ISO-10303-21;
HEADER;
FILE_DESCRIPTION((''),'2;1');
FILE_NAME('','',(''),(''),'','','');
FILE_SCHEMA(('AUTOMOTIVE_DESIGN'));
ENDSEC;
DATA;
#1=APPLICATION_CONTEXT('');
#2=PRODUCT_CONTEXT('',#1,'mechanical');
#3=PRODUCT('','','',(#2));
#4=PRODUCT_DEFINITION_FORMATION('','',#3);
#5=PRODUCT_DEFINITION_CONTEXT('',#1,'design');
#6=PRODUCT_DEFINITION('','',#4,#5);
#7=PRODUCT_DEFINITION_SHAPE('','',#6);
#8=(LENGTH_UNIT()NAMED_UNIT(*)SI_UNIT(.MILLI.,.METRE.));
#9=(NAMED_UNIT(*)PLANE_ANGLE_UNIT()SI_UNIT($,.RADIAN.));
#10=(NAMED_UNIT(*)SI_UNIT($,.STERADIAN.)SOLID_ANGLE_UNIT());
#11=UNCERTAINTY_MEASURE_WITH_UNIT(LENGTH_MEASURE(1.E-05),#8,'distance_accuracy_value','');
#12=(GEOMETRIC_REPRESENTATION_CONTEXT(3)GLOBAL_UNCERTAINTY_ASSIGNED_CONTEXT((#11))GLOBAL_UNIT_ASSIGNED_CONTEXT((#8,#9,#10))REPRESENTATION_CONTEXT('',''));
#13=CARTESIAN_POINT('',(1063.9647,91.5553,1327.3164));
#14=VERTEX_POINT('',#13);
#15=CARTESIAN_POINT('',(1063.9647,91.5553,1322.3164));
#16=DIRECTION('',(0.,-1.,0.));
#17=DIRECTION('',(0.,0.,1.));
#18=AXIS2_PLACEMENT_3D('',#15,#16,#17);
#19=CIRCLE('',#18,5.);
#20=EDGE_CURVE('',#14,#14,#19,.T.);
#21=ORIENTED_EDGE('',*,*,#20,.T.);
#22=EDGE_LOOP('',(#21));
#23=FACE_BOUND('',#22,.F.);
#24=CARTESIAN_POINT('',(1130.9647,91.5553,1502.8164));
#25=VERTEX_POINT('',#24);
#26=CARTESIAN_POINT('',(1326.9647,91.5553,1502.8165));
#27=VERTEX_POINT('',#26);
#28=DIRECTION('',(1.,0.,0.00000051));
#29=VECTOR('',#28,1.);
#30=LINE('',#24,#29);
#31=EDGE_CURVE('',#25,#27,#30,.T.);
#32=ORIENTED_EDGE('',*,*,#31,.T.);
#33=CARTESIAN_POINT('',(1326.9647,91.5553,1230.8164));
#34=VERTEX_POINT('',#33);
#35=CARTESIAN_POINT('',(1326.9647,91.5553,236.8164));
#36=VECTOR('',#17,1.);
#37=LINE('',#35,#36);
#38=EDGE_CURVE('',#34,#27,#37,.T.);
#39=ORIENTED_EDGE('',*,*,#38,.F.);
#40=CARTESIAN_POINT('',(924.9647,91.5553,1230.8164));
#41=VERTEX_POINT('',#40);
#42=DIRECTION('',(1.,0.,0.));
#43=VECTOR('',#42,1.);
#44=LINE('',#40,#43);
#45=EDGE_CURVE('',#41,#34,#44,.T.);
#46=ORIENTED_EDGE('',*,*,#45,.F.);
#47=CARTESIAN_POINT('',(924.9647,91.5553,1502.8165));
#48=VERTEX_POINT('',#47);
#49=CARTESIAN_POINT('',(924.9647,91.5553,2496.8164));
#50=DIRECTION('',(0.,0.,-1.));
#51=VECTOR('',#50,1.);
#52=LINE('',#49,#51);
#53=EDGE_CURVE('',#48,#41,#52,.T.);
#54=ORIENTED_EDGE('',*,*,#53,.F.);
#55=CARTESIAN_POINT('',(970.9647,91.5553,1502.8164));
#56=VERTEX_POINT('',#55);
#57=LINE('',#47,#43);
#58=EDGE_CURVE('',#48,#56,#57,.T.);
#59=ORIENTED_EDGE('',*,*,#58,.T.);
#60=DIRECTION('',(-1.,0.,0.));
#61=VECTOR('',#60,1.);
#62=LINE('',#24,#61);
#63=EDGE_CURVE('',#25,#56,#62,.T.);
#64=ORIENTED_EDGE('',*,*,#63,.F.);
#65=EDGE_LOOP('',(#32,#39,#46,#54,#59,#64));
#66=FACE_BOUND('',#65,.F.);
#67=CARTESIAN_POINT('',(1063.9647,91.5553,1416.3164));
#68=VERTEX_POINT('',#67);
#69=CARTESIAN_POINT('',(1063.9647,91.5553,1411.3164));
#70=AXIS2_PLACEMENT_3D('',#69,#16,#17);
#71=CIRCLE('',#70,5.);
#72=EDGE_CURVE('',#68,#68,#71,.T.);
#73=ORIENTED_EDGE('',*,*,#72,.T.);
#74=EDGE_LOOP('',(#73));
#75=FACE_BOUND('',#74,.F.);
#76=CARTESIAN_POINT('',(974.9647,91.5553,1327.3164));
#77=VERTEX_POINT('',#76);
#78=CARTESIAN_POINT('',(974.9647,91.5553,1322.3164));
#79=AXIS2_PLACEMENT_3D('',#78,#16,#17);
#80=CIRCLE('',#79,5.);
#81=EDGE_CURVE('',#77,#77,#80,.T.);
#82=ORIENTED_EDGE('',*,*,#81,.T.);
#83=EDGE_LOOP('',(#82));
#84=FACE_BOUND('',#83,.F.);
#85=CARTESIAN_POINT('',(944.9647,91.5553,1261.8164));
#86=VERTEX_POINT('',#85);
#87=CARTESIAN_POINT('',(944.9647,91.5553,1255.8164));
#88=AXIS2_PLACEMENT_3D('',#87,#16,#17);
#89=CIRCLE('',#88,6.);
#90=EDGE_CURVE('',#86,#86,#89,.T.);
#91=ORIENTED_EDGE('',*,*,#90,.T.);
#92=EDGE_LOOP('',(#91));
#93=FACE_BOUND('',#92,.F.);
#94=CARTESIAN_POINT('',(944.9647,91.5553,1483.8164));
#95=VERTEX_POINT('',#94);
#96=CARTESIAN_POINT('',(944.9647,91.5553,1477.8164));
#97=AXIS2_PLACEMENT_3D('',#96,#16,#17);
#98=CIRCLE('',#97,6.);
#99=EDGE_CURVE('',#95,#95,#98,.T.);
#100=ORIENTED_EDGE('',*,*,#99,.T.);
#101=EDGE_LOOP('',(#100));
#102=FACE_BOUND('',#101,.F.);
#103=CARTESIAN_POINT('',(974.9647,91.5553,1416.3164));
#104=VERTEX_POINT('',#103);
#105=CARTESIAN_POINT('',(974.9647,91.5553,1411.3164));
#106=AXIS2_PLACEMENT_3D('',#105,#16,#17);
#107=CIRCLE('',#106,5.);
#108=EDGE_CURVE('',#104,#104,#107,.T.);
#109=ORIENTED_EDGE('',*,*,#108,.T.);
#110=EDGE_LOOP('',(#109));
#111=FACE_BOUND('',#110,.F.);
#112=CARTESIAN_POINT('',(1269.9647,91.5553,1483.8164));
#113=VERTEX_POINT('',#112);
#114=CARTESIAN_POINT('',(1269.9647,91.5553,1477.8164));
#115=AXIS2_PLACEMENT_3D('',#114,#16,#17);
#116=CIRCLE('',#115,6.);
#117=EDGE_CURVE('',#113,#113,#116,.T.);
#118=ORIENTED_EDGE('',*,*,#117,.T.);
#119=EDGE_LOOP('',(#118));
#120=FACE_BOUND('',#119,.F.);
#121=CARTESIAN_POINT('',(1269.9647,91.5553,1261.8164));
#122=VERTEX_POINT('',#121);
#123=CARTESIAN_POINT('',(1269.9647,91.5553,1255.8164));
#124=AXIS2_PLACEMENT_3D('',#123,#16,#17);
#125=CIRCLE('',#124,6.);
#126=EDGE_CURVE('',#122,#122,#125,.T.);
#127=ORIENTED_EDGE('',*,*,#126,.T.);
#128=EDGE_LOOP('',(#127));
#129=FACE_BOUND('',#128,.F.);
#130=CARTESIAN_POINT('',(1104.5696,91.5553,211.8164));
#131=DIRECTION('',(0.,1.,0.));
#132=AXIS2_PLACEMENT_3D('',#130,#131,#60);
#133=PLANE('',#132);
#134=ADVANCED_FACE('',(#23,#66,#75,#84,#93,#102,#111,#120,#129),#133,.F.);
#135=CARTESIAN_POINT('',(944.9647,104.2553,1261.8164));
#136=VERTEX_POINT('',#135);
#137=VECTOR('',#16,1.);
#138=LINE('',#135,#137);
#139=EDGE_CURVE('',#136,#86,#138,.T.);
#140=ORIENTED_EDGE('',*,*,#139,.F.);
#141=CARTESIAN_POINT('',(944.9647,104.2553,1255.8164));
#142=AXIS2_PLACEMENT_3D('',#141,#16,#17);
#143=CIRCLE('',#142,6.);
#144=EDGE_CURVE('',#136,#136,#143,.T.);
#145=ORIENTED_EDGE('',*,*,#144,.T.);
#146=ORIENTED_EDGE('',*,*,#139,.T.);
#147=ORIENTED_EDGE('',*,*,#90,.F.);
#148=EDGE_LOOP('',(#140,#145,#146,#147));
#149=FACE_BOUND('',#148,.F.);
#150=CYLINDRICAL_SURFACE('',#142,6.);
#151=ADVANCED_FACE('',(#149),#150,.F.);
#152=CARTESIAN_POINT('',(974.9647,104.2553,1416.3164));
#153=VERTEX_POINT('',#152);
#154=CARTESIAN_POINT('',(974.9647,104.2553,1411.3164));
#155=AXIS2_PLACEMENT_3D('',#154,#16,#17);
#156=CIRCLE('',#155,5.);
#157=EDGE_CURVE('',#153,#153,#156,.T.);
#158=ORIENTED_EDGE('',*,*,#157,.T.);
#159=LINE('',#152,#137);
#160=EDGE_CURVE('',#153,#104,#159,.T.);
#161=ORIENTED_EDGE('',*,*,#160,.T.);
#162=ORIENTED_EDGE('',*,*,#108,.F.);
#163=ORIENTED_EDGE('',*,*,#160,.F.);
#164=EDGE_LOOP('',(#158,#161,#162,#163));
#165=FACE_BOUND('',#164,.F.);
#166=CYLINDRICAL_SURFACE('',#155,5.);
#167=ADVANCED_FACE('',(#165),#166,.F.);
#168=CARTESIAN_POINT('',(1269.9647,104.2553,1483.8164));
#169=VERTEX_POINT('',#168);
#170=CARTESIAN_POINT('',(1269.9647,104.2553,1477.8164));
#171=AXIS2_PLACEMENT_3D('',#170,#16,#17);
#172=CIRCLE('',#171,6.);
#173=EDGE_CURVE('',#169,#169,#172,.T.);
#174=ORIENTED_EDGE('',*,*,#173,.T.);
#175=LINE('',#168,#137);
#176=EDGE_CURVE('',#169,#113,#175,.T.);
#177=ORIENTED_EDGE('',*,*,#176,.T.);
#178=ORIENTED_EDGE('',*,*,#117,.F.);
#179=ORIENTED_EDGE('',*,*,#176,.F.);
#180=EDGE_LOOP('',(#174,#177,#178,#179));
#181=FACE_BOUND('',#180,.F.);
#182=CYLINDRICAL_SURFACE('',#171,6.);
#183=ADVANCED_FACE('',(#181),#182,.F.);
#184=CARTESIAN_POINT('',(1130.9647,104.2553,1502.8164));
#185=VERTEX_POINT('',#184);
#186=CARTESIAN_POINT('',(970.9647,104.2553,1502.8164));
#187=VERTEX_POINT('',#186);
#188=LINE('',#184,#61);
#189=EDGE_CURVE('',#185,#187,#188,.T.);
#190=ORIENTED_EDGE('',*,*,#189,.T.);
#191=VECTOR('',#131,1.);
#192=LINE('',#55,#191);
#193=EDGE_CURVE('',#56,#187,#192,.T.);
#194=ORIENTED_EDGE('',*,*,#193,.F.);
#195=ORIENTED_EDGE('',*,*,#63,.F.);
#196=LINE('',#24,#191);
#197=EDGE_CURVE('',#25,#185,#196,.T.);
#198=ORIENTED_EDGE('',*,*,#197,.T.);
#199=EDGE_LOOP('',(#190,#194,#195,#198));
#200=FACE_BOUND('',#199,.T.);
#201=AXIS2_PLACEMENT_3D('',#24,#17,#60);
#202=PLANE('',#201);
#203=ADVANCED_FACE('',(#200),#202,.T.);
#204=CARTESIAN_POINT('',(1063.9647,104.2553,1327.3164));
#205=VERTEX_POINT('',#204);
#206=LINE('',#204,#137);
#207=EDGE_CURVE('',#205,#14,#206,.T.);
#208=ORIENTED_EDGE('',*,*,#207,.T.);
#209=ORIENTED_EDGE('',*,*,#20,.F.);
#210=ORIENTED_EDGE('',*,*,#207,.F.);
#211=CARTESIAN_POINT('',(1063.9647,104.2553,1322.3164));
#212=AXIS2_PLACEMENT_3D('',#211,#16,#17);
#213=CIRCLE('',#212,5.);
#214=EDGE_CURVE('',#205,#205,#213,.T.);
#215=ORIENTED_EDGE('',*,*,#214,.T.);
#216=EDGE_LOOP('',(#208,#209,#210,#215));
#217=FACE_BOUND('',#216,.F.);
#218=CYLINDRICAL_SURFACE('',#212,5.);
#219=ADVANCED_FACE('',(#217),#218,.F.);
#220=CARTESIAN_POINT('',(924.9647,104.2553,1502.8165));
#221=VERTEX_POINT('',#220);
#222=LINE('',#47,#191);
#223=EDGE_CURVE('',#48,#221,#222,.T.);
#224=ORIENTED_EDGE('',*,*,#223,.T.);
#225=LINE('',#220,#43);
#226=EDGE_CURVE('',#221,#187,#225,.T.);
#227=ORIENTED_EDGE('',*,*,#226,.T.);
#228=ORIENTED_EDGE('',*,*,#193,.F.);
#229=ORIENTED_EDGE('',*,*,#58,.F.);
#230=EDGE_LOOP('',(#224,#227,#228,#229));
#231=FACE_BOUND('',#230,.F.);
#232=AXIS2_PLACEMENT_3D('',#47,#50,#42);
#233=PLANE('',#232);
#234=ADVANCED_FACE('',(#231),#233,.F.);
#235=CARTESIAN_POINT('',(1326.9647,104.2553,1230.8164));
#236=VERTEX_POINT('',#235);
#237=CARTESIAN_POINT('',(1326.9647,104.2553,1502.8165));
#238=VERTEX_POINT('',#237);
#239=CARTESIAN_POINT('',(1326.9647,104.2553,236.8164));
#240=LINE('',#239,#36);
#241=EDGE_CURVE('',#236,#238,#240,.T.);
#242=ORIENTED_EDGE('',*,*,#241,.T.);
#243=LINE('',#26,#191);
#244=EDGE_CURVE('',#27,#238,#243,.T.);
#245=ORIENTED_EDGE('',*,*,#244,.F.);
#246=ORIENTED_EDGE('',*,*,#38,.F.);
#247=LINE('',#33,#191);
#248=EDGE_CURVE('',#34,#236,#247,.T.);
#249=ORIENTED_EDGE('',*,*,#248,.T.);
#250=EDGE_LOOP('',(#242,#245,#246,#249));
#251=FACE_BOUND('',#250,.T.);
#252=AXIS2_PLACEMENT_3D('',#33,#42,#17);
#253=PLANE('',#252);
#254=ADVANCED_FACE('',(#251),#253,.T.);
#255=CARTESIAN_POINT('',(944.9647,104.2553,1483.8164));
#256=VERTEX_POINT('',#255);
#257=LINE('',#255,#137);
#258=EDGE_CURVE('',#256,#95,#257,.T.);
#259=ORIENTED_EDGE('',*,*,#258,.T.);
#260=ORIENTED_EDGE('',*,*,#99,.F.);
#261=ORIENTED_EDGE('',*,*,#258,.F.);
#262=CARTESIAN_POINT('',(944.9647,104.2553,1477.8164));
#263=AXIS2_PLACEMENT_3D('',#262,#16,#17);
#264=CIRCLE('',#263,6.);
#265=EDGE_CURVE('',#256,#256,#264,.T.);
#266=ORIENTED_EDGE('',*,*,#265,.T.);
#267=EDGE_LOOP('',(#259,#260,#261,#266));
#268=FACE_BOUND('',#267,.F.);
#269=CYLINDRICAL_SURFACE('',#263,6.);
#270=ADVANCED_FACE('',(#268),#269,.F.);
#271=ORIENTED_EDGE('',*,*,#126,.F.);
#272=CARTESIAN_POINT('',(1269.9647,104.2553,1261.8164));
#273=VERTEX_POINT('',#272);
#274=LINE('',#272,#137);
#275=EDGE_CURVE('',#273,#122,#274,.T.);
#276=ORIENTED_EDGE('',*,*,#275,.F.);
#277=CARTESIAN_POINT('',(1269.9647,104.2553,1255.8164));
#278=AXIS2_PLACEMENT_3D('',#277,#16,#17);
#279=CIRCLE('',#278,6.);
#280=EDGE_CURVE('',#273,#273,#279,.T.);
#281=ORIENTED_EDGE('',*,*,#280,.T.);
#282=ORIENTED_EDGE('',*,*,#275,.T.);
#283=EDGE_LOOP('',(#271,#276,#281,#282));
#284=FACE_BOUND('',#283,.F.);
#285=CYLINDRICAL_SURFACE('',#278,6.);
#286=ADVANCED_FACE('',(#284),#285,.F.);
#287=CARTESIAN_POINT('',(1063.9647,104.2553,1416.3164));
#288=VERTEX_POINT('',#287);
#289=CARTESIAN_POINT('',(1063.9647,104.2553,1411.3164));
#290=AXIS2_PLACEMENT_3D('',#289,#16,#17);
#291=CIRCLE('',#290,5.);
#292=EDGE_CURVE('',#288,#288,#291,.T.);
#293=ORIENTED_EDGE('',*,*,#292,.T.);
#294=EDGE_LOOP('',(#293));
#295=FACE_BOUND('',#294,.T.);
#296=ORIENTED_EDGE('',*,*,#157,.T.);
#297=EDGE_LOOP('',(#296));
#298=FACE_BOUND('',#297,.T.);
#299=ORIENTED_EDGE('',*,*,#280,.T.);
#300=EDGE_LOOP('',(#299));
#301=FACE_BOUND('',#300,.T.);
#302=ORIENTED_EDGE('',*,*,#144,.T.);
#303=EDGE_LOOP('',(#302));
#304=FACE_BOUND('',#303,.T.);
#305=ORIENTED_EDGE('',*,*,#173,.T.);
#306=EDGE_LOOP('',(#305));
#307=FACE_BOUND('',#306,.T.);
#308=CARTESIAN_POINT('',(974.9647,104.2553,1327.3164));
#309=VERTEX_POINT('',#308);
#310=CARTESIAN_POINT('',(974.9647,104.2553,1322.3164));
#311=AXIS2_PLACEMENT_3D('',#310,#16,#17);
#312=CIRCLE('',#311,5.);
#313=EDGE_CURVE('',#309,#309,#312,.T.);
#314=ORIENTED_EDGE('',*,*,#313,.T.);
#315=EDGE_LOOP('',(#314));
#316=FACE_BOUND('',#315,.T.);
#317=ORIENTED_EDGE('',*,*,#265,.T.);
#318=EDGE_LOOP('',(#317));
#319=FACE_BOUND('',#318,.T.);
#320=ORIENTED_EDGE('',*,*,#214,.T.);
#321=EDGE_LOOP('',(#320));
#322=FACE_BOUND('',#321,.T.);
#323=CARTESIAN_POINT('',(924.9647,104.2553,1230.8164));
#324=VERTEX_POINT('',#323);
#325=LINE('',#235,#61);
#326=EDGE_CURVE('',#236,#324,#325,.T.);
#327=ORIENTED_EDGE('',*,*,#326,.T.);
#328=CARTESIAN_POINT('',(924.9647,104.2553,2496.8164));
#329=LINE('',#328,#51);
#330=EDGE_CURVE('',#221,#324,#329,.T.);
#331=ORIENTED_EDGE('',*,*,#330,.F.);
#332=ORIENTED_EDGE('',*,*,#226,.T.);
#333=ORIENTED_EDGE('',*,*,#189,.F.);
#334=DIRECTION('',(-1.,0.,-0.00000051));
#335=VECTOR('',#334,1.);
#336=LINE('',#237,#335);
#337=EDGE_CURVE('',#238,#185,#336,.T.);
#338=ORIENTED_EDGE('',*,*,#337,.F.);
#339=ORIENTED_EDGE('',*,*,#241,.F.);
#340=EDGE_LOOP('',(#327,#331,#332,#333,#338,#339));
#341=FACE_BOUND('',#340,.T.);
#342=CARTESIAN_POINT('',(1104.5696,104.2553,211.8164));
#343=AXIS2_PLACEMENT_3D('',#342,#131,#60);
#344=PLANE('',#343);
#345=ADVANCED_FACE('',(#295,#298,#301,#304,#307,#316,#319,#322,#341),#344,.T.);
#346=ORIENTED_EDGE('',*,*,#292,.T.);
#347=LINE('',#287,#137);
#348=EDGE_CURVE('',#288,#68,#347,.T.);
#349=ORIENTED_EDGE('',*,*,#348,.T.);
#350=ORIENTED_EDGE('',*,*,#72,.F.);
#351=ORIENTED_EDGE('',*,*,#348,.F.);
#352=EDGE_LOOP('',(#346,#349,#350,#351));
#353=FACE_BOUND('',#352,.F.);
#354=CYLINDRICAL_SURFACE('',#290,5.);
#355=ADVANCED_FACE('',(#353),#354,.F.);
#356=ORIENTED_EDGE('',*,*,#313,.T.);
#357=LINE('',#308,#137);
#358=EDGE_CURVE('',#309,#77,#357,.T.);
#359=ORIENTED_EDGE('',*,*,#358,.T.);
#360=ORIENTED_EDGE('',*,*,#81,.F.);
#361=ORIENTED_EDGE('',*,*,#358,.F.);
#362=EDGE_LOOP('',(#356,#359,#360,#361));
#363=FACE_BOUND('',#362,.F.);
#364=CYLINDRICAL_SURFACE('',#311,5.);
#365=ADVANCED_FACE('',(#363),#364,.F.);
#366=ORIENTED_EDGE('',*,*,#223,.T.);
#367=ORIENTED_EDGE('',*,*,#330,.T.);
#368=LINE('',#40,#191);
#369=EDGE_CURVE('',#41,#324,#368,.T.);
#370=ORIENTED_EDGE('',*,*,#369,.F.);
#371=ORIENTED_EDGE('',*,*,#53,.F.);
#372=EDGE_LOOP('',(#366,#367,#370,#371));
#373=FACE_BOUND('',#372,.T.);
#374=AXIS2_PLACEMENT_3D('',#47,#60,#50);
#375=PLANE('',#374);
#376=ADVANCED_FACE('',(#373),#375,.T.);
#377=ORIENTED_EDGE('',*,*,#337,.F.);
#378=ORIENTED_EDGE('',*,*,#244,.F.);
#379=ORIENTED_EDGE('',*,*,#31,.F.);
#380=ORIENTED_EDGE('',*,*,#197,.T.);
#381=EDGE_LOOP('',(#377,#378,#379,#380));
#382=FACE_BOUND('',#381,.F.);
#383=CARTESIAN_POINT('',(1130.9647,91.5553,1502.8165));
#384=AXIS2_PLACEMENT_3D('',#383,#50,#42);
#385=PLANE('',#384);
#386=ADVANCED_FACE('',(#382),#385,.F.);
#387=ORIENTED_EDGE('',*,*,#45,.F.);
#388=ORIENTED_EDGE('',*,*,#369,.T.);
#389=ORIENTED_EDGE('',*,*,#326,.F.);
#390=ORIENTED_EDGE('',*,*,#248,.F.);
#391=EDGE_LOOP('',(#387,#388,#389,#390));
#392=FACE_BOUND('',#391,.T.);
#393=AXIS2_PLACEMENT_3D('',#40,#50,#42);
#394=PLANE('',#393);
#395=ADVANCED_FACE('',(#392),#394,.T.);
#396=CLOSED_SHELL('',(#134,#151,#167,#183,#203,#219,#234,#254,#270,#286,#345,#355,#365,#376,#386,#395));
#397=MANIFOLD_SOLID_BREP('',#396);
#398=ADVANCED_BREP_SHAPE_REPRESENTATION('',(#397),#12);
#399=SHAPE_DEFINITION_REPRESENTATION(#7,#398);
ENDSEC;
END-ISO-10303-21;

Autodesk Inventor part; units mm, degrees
ref_plane "YZ Plane" through (0, 0, 0) normal (1, 0, 0) x (0, 1, 0)
ref_plane "XZ Plane" through (0, 0, 0) normal (0, 1, 0) x (-1, 0, 0)
ref_plane "Work Plane1" through (1104.5696, 91.5553, 211.8164) normal (0, 1, 0) x (-1, 0, 0)
sketch "Sketch1" plane through (1104.5696, 91.5553, 211.8164) normal (0, 1, 0) x (-1, 0, 0)
  arc A0 (57.6551, 1254.9955) -> (57.6551, 1150.0245) centre (104.395, 1202.51) ccw
  line L0 (-26.3951, 1291) -> (133.6049, 1291)
  line L1 (133.6049, 1019) -> (-26.3951, 1019)
  line L2 (-26.3951, 1249) -> (-26.3951, 1291)
  line L3 (179.6049, 2285) -> (179.6049, 25)
  line L4 (179.6049, 1019) -> (179.6049, 1291.0001)
  line L5 (-72.3951, 25) -> (-72.3951, 2285)
  line L6 (179.6049, 1291.0001) -> (-222.3951, 1291.0001)
  line L7 (179.6049, 1019) -> (-222.3951, 1019)
  line L8 (-222.3951, 25) -> (-222.3951, 2285)
  line L9 (-222.3951, 1291.0001) -> (-222.3951, 1019)
  point P0 (1104.5696, -211.8164)
  point P1 (-72.3951, 1291.0001)
  point P2 (-72.3951, 1019)
  point P3 (154, 1291)
  point P4 (4, 1291)
extrude "Extrusion1" add sketch "Sketch1" along normal blind 12.7
sketch "Sketch2" plane through (1104.5696, 104.2553, 211.8164) normal (0, 1, 0) x (1, 0, 0)
  line L0 (222.3951, -1019) -> (-179.6049, -1019) construction
  line L1 (-179.6049, -1019) -> (-179.6049, -1291.0001) construction
  line L2 (-179.6049, -1291.0001) -> (222.3951, -1291.0001) construction
  line L3 (222.3951, -1291.0001) -> (222.3951, -1019) construction
  line L4 (-179.6049, -1291.0001) -> (222.3951, -1291.0001) construction
  line L5 (21.3951, -1291.0001) -> (21.3951, -1019) construction
  line L6 (-179.6049, -1019) -> (-179.6049, -1291.0001) construction
  line L7 (-179.6049, -1155) -> (222.3951, -1155) construction
  point P0 (-1104.5696, 211.8164)
  point P1 (-159.6049, -1266.0001)
  point P2 (165.3951, -1266.0001)
  point P3 (-159.6049, -1044)
  point P4 (165.3951, -1044)
  dimension "d16" = 25
  dimension "d17" = 20
  dimension "d18" = 25
  dimension "d19" = 325
hole "Hole1" at (944.9647, 104.2553, 1477.8164) at (944.9647, 104.2553, 1255.8164) at (1269.9647, 104.2553, 1255.8164) at (1269.9647, 104.2553, 1477.8164) direction (0, -1, 0) diameter 12 end through all
sketch "Sketch3" plane through (1104.5696, 104.2553, 211.8164) normal (0, 1, 0) x (1, 0, 0)
  line L0 (-129.6049, -1110.5) -> (-40.6049, -1110.5)
  line L1 (-40.6049, -1110.5) -> (-40.6049, -1199.5)
  line L2 (-40.6049, -1199.5) -> (-129.6049, -1199.5)
  line L3 (-129.6049, -1199.5) -> (-129.6049, -1110.5)
  line L4 (-179.6049, -1019) -> (-179.6049, -1291.0001) projected
  line L5 (-179.6049, -1155) -> (-143.519, -1155)
  point P0 (-1104.5696, 211.8164)
  dimension "d20" = 89
  dimension "d21" = 89
  dimension "d22" = 50
hole "Hole2" at (974.9647, 104.2553, 1322.3164) at (1063.9647, 104.2553, 1322.3164) at (1063.9647, 104.2553, 1411.3164) at (974.9647, 104.2553, 1411.3164) direction (0, -1, 0) diameter 10 end through all
properties part number "PlacaInferior" material "Steel ASTM A36"
